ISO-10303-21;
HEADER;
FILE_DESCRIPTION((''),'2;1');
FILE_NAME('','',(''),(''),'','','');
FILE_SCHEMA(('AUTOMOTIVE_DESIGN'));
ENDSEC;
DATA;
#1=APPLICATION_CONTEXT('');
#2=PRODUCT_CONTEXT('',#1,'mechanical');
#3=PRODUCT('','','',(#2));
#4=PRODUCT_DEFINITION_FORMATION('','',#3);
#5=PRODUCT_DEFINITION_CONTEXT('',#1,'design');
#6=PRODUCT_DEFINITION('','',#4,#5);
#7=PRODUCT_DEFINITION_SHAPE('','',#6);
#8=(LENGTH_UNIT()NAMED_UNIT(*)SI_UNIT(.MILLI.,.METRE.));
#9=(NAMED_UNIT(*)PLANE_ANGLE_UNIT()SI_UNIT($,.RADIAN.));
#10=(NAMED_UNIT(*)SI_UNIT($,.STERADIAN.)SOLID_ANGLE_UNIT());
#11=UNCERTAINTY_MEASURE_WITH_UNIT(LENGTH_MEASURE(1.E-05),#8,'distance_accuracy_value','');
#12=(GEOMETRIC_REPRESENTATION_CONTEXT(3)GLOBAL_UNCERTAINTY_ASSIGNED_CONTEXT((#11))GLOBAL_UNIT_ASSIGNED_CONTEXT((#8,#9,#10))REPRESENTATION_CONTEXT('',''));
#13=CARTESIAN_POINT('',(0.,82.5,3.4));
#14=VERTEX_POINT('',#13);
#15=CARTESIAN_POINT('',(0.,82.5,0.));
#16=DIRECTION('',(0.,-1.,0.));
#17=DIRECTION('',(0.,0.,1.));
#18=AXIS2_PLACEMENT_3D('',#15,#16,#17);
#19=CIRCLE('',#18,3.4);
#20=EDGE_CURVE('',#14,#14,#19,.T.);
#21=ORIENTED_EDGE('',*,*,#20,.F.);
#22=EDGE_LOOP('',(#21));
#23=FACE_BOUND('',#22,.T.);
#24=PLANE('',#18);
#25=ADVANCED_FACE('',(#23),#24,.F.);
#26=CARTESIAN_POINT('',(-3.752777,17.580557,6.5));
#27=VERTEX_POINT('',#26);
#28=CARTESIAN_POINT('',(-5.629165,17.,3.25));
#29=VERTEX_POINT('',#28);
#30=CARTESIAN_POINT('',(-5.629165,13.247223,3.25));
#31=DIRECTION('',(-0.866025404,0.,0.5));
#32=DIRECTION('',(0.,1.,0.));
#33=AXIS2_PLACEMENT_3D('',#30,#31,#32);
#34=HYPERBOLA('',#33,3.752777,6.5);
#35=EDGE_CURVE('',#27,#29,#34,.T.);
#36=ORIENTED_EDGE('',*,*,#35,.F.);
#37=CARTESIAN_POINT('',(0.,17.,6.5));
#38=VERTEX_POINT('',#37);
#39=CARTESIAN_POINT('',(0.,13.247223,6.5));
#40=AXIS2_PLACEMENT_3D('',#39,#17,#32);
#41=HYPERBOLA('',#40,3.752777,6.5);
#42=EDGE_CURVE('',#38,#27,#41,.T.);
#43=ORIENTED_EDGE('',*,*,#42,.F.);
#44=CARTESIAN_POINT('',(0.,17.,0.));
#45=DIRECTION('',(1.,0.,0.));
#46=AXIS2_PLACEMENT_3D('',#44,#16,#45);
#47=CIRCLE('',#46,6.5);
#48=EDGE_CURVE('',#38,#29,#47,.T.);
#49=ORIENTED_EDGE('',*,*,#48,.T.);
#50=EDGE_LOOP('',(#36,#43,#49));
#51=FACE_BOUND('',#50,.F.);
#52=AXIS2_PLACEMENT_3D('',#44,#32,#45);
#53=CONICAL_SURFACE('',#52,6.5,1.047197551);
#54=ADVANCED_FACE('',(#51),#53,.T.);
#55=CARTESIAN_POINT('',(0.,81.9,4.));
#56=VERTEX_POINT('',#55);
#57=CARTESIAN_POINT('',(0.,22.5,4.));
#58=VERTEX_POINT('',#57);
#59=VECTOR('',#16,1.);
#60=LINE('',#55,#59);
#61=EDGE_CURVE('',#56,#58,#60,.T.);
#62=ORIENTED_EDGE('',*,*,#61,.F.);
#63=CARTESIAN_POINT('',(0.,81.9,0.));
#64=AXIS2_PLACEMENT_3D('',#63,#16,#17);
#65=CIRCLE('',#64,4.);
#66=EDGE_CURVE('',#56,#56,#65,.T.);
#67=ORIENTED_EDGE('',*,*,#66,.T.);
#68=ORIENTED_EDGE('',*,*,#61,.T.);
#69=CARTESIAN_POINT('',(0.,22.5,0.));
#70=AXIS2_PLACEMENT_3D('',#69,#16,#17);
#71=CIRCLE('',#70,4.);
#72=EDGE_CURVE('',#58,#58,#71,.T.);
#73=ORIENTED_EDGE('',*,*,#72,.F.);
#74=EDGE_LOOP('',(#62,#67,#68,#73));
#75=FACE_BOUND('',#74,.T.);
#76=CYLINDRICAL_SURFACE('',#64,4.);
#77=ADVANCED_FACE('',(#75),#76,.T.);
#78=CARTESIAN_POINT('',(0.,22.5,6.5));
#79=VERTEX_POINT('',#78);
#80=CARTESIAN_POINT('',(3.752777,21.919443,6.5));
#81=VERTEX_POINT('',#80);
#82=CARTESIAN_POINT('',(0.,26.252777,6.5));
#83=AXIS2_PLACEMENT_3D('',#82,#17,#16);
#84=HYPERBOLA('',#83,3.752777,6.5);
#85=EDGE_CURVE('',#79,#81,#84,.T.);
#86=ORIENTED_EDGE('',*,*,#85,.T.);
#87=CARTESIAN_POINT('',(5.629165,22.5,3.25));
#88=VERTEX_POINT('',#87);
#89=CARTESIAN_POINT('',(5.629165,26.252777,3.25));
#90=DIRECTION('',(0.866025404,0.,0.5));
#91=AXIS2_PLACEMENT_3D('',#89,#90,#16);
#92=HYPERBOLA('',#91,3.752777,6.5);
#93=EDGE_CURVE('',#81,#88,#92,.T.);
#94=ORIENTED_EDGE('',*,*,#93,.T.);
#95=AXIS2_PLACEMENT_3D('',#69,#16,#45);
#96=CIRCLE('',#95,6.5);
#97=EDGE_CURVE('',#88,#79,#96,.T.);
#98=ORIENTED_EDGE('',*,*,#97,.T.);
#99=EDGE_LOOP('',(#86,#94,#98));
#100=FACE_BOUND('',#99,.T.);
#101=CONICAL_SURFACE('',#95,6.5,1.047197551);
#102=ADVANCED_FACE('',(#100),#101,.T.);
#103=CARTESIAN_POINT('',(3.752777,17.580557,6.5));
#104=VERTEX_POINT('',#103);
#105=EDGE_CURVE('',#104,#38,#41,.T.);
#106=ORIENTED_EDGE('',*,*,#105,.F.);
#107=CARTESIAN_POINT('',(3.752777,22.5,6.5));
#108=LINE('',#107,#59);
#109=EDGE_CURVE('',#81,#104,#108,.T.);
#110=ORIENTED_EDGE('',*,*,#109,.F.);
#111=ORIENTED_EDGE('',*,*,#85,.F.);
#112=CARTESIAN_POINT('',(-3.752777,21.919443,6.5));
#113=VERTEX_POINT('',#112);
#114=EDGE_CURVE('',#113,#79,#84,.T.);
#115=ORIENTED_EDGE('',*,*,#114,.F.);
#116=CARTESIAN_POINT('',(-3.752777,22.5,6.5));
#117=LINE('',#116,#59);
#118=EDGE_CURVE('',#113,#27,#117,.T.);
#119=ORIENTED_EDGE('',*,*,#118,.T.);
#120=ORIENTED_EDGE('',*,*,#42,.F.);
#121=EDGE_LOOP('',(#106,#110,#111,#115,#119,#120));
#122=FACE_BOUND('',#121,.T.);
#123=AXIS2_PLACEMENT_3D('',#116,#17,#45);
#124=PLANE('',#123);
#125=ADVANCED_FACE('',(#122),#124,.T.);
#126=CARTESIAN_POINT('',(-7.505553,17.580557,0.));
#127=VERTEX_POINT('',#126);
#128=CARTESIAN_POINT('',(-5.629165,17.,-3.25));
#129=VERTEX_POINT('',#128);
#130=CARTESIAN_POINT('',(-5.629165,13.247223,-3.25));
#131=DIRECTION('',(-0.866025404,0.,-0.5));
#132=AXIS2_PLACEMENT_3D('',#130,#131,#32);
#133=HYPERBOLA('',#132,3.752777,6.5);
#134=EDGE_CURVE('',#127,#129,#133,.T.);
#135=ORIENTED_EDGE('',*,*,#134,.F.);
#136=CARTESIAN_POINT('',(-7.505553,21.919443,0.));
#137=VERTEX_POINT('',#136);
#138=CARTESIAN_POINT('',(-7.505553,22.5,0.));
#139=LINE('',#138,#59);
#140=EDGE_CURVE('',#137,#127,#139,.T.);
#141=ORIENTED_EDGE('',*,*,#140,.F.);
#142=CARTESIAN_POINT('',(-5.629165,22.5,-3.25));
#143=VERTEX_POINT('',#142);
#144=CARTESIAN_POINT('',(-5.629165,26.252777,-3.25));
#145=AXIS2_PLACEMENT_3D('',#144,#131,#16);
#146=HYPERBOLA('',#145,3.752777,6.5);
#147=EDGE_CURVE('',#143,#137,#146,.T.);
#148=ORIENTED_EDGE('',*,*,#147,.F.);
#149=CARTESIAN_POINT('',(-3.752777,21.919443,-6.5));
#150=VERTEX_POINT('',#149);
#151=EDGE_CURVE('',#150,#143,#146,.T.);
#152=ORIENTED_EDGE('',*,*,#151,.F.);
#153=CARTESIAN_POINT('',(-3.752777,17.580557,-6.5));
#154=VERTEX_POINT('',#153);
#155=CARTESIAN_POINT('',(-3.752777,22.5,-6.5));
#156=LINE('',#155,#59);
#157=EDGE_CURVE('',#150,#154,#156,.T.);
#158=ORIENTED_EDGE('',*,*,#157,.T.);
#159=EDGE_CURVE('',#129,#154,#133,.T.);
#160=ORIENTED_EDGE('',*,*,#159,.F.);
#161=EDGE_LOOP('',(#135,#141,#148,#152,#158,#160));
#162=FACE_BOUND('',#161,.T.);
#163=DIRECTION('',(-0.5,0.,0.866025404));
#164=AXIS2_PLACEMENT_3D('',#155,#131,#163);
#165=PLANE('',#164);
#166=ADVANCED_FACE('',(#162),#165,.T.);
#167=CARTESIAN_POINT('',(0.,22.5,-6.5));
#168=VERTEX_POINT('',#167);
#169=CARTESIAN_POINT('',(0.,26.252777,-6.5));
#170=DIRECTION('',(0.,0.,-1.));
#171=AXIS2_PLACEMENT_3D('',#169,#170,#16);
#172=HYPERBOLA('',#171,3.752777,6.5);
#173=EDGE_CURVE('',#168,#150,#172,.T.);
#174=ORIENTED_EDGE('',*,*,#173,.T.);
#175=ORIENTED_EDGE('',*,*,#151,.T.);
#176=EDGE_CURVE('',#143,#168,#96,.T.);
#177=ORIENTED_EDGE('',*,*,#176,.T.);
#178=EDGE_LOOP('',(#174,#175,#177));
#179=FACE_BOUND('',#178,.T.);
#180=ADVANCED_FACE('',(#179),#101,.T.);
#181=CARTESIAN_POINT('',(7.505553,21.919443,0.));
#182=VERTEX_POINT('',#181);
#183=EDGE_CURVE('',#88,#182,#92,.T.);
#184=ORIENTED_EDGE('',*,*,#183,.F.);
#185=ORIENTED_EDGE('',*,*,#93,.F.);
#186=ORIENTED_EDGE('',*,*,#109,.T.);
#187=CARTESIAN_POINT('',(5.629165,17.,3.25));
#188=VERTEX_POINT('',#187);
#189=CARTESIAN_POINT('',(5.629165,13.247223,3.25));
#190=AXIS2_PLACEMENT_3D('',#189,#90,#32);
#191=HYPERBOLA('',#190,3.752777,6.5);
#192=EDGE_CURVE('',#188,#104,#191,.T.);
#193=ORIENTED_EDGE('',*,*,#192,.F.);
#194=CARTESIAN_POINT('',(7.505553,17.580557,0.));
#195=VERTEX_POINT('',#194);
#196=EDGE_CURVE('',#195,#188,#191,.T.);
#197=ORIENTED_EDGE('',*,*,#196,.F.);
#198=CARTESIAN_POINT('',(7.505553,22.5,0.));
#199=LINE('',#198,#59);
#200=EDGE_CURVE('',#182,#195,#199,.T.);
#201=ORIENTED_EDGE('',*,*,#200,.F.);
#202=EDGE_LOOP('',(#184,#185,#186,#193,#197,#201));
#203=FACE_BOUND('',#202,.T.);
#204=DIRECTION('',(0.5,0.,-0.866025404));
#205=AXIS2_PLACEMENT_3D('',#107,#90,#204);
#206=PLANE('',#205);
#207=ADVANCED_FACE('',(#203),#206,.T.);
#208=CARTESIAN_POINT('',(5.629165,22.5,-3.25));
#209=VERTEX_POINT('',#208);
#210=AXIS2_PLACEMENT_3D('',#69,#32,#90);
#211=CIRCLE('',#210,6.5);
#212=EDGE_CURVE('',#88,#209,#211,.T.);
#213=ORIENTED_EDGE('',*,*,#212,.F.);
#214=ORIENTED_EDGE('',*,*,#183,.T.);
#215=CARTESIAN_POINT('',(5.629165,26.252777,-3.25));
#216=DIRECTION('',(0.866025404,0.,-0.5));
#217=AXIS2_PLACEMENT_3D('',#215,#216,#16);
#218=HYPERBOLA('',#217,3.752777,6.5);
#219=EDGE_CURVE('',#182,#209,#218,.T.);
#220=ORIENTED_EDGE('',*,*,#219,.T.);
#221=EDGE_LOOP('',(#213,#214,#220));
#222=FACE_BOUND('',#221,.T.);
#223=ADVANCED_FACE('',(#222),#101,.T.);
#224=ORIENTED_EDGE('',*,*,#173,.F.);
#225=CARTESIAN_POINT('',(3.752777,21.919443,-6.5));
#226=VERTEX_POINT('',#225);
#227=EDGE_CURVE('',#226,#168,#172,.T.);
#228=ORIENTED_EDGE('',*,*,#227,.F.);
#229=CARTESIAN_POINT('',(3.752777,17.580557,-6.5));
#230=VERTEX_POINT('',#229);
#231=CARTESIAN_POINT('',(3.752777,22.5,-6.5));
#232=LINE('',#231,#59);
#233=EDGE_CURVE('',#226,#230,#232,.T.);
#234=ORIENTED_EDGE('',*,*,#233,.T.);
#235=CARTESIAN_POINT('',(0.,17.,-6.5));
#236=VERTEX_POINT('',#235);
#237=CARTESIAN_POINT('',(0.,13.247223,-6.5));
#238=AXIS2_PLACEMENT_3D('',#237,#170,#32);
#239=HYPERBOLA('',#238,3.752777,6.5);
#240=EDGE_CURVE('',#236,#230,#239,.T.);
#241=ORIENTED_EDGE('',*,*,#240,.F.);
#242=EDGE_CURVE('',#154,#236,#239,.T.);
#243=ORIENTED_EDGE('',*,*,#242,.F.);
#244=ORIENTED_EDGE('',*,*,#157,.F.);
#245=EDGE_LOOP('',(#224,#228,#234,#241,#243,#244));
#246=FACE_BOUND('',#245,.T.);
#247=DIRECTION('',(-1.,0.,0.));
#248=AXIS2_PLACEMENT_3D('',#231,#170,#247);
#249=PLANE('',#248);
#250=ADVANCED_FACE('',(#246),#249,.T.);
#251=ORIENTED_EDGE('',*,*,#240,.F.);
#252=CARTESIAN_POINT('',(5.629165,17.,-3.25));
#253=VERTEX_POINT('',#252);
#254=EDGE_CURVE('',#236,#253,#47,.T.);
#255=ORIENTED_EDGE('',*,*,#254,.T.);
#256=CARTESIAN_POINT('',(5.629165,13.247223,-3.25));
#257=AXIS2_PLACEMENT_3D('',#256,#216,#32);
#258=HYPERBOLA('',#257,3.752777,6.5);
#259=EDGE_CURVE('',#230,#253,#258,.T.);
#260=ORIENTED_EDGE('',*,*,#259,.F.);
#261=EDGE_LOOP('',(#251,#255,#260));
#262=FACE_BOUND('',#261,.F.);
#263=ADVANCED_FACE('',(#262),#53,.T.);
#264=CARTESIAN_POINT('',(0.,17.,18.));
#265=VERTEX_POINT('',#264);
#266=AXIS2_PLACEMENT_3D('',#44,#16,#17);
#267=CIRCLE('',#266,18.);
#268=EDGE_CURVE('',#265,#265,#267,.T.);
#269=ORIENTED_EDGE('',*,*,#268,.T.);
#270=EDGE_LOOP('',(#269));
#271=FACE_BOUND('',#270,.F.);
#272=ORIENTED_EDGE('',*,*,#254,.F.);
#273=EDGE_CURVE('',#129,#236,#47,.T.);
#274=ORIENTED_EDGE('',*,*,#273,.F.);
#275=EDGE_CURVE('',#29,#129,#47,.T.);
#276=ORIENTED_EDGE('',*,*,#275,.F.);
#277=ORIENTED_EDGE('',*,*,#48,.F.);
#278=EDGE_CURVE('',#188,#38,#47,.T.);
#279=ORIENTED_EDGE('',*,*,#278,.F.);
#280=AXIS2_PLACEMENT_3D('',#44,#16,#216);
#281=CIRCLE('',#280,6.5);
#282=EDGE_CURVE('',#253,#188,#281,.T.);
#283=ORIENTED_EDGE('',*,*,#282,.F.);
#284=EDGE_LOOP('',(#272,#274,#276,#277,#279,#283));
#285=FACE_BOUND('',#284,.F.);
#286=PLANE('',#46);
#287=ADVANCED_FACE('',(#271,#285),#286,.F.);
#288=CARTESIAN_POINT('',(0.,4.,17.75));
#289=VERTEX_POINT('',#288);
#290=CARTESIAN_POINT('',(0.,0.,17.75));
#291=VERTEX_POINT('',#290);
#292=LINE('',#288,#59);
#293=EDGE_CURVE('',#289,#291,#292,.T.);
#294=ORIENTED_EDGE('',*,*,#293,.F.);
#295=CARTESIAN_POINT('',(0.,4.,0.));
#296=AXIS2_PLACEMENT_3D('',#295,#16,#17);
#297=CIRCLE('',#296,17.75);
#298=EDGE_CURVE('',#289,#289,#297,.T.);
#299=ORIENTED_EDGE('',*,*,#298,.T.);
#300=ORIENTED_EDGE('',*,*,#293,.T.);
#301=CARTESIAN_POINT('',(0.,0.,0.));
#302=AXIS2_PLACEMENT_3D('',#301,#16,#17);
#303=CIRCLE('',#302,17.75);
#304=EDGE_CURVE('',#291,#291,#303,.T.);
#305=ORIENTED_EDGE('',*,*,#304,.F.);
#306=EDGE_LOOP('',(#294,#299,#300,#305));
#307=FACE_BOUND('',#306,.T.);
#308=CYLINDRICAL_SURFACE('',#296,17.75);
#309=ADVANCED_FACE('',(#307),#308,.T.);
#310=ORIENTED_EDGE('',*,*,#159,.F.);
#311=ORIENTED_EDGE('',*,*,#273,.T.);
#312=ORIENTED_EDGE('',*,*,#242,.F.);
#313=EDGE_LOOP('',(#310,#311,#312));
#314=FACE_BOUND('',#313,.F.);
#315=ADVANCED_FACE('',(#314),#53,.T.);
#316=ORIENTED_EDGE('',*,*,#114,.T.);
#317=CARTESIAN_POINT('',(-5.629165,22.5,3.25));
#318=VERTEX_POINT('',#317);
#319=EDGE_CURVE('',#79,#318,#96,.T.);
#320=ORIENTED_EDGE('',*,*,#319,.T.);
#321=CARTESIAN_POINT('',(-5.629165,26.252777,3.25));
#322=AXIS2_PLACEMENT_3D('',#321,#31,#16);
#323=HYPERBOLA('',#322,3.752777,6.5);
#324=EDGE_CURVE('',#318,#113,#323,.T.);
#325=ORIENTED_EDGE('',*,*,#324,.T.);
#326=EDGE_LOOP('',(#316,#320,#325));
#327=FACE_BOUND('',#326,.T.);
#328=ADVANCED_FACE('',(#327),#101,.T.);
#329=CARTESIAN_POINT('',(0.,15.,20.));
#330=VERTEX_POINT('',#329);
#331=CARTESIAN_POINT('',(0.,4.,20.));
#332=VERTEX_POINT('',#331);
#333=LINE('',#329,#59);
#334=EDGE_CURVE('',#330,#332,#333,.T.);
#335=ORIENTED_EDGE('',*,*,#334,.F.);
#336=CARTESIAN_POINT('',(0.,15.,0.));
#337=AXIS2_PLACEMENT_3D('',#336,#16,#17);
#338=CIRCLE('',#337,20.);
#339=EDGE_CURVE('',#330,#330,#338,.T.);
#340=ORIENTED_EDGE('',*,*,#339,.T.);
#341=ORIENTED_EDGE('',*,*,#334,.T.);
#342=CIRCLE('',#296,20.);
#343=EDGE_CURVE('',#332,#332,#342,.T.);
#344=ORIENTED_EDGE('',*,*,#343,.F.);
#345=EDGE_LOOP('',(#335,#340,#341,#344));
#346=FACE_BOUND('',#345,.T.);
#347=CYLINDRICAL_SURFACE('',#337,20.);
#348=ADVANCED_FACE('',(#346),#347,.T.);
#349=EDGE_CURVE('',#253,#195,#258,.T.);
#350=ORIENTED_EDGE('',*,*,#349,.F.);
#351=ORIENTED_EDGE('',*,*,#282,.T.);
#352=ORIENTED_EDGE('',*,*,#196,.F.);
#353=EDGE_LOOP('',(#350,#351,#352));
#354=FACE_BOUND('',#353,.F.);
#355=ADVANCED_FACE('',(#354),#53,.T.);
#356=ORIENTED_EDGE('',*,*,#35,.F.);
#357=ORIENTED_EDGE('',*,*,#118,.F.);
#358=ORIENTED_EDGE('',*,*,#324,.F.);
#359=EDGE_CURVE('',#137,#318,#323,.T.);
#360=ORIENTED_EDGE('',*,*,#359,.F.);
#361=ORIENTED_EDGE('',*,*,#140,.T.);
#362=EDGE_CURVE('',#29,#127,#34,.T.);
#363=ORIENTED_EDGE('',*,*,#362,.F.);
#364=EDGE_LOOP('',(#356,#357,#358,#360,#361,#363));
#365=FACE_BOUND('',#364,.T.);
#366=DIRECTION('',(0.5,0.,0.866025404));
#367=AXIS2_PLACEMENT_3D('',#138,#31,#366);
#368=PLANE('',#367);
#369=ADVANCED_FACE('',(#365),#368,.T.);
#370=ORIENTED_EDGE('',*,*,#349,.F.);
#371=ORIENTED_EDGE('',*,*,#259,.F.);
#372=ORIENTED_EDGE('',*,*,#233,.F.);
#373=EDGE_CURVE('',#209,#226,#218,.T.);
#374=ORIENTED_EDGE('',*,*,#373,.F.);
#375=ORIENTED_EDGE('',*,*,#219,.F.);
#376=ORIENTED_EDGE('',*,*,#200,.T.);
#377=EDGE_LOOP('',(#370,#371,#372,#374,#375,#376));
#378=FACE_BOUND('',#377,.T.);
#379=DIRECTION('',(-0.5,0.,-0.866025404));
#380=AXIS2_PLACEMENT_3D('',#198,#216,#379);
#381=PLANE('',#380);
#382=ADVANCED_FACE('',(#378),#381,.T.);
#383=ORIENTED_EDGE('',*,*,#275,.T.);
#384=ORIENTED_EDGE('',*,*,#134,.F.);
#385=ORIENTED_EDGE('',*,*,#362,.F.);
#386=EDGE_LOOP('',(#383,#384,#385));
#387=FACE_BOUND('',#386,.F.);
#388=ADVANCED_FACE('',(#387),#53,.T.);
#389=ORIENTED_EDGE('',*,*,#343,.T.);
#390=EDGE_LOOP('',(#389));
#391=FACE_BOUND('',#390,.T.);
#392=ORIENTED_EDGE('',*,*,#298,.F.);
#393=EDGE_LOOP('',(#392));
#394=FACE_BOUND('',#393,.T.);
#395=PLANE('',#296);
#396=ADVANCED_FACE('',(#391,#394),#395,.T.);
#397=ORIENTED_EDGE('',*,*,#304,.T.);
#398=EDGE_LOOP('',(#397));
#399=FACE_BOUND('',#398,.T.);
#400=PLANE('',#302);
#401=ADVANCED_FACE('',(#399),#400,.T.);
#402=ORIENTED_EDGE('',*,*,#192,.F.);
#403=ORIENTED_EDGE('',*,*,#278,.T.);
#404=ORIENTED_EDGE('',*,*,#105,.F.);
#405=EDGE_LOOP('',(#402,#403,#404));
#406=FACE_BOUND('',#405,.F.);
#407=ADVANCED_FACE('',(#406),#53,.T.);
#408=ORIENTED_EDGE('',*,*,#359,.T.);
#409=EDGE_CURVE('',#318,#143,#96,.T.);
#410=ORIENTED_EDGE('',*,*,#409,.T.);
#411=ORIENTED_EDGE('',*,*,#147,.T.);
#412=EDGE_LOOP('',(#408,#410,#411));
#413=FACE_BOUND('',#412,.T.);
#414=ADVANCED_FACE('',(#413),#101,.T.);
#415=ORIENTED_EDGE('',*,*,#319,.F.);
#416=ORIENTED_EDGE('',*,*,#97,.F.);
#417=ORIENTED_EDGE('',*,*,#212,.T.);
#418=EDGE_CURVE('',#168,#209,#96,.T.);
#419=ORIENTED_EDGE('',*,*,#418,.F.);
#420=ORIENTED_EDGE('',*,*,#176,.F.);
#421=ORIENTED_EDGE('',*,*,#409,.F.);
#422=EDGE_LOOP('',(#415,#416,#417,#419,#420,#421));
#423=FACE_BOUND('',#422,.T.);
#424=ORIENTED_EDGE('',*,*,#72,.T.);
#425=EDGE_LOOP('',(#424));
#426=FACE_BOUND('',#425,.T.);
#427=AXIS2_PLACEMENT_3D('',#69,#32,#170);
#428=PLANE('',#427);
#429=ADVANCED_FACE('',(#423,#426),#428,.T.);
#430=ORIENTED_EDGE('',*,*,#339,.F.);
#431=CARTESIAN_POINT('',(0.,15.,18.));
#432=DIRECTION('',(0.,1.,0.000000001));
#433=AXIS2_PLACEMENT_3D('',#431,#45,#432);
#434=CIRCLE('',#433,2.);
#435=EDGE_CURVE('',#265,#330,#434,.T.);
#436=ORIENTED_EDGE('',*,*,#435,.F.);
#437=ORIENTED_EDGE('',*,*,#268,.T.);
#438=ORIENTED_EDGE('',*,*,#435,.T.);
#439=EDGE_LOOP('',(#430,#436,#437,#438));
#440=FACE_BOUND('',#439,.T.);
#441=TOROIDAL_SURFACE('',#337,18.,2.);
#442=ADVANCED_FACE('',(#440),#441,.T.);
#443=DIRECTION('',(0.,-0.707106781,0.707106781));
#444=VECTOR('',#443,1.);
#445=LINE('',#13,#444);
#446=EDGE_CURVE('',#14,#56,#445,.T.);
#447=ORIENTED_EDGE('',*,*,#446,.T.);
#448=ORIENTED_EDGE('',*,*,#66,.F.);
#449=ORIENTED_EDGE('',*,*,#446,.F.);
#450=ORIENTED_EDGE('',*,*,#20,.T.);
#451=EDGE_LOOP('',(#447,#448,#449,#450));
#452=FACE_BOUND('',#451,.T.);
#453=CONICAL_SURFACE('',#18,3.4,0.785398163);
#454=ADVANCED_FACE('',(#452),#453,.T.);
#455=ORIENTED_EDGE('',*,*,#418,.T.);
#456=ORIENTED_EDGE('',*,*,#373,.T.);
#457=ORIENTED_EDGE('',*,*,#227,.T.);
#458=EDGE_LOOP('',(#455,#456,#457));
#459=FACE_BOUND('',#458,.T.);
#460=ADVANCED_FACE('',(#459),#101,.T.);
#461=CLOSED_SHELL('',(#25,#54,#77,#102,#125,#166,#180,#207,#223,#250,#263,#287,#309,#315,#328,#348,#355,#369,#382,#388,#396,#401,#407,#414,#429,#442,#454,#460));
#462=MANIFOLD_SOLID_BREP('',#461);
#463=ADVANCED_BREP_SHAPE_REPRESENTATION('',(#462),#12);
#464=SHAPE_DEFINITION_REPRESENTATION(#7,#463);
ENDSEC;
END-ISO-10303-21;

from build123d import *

# Parameters (mm, degrees)
BOSS_EXTRUDE1_START = -60
BOSS_EXTRUDE1_DEPTH = 5.5


with BuildPart() as part:
    # Sketch1 → Revolve1 (revolve)
    with BuildSketch(Plane.XY):
        with BuildLine():
            Line((-17.75, 0), (0, 0))
            Line((0, 0), (0, 82.5))
            Line((0, 82.5), (-3.4, 82.5))
            Line((-3.4, 82.5), (-4, 81.9))
            Line((-4, 81.9), (-4, 17))
            Line((-4, 17), (-18, 17))
            ThreePointArc((-18, 17), (-19.414213562, 16.414213562), (-20, 15))
            Line((-20, 15), (-20, 4))
            Line((-20, 4), (-17.75, 4))
            Line((-17.75, 4), (-17.75, 0))
        make_face()
    revolve(axis=Axis((0, 86.625, 0), (0, -1, 0)))

    # Sketch2 → Boss-Extrude1 (add)
    with BuildSketch(Plane(origin=(0, 82.5, 0), x_dir=(0, 0, -1), z_dir=(0, 1, 0)).offset(BOSS_EXTRUDE1_START)):
        Polygon((6.5, -3.75277675), (6.5, 3.75277675), (0, 7.505553499), (-6.5, 3.75277675), (-6.5, -3.75277675), (0, -7.505553499), align=None)
    extrude(amount=-BOSS_EXTRUDE1_DEPTH)

    # Sketch3 → Cut-Revolve1 (revolve, cut)
    with BuildSketch(Plane.XY):
        Polygon((7.505553499, 22.5), (6.5, 22.5), (7.505553499, 21.919443416), align=None)
        Polygon((7.505553499, 17), (6.5, 17), (7.505553499, 17.580556584), align=None)
    revolve(axis=Axis((0, 86.625, 0), (0, -1, 0)), mode=Mode.SUBTRACT)


solid = part.part
